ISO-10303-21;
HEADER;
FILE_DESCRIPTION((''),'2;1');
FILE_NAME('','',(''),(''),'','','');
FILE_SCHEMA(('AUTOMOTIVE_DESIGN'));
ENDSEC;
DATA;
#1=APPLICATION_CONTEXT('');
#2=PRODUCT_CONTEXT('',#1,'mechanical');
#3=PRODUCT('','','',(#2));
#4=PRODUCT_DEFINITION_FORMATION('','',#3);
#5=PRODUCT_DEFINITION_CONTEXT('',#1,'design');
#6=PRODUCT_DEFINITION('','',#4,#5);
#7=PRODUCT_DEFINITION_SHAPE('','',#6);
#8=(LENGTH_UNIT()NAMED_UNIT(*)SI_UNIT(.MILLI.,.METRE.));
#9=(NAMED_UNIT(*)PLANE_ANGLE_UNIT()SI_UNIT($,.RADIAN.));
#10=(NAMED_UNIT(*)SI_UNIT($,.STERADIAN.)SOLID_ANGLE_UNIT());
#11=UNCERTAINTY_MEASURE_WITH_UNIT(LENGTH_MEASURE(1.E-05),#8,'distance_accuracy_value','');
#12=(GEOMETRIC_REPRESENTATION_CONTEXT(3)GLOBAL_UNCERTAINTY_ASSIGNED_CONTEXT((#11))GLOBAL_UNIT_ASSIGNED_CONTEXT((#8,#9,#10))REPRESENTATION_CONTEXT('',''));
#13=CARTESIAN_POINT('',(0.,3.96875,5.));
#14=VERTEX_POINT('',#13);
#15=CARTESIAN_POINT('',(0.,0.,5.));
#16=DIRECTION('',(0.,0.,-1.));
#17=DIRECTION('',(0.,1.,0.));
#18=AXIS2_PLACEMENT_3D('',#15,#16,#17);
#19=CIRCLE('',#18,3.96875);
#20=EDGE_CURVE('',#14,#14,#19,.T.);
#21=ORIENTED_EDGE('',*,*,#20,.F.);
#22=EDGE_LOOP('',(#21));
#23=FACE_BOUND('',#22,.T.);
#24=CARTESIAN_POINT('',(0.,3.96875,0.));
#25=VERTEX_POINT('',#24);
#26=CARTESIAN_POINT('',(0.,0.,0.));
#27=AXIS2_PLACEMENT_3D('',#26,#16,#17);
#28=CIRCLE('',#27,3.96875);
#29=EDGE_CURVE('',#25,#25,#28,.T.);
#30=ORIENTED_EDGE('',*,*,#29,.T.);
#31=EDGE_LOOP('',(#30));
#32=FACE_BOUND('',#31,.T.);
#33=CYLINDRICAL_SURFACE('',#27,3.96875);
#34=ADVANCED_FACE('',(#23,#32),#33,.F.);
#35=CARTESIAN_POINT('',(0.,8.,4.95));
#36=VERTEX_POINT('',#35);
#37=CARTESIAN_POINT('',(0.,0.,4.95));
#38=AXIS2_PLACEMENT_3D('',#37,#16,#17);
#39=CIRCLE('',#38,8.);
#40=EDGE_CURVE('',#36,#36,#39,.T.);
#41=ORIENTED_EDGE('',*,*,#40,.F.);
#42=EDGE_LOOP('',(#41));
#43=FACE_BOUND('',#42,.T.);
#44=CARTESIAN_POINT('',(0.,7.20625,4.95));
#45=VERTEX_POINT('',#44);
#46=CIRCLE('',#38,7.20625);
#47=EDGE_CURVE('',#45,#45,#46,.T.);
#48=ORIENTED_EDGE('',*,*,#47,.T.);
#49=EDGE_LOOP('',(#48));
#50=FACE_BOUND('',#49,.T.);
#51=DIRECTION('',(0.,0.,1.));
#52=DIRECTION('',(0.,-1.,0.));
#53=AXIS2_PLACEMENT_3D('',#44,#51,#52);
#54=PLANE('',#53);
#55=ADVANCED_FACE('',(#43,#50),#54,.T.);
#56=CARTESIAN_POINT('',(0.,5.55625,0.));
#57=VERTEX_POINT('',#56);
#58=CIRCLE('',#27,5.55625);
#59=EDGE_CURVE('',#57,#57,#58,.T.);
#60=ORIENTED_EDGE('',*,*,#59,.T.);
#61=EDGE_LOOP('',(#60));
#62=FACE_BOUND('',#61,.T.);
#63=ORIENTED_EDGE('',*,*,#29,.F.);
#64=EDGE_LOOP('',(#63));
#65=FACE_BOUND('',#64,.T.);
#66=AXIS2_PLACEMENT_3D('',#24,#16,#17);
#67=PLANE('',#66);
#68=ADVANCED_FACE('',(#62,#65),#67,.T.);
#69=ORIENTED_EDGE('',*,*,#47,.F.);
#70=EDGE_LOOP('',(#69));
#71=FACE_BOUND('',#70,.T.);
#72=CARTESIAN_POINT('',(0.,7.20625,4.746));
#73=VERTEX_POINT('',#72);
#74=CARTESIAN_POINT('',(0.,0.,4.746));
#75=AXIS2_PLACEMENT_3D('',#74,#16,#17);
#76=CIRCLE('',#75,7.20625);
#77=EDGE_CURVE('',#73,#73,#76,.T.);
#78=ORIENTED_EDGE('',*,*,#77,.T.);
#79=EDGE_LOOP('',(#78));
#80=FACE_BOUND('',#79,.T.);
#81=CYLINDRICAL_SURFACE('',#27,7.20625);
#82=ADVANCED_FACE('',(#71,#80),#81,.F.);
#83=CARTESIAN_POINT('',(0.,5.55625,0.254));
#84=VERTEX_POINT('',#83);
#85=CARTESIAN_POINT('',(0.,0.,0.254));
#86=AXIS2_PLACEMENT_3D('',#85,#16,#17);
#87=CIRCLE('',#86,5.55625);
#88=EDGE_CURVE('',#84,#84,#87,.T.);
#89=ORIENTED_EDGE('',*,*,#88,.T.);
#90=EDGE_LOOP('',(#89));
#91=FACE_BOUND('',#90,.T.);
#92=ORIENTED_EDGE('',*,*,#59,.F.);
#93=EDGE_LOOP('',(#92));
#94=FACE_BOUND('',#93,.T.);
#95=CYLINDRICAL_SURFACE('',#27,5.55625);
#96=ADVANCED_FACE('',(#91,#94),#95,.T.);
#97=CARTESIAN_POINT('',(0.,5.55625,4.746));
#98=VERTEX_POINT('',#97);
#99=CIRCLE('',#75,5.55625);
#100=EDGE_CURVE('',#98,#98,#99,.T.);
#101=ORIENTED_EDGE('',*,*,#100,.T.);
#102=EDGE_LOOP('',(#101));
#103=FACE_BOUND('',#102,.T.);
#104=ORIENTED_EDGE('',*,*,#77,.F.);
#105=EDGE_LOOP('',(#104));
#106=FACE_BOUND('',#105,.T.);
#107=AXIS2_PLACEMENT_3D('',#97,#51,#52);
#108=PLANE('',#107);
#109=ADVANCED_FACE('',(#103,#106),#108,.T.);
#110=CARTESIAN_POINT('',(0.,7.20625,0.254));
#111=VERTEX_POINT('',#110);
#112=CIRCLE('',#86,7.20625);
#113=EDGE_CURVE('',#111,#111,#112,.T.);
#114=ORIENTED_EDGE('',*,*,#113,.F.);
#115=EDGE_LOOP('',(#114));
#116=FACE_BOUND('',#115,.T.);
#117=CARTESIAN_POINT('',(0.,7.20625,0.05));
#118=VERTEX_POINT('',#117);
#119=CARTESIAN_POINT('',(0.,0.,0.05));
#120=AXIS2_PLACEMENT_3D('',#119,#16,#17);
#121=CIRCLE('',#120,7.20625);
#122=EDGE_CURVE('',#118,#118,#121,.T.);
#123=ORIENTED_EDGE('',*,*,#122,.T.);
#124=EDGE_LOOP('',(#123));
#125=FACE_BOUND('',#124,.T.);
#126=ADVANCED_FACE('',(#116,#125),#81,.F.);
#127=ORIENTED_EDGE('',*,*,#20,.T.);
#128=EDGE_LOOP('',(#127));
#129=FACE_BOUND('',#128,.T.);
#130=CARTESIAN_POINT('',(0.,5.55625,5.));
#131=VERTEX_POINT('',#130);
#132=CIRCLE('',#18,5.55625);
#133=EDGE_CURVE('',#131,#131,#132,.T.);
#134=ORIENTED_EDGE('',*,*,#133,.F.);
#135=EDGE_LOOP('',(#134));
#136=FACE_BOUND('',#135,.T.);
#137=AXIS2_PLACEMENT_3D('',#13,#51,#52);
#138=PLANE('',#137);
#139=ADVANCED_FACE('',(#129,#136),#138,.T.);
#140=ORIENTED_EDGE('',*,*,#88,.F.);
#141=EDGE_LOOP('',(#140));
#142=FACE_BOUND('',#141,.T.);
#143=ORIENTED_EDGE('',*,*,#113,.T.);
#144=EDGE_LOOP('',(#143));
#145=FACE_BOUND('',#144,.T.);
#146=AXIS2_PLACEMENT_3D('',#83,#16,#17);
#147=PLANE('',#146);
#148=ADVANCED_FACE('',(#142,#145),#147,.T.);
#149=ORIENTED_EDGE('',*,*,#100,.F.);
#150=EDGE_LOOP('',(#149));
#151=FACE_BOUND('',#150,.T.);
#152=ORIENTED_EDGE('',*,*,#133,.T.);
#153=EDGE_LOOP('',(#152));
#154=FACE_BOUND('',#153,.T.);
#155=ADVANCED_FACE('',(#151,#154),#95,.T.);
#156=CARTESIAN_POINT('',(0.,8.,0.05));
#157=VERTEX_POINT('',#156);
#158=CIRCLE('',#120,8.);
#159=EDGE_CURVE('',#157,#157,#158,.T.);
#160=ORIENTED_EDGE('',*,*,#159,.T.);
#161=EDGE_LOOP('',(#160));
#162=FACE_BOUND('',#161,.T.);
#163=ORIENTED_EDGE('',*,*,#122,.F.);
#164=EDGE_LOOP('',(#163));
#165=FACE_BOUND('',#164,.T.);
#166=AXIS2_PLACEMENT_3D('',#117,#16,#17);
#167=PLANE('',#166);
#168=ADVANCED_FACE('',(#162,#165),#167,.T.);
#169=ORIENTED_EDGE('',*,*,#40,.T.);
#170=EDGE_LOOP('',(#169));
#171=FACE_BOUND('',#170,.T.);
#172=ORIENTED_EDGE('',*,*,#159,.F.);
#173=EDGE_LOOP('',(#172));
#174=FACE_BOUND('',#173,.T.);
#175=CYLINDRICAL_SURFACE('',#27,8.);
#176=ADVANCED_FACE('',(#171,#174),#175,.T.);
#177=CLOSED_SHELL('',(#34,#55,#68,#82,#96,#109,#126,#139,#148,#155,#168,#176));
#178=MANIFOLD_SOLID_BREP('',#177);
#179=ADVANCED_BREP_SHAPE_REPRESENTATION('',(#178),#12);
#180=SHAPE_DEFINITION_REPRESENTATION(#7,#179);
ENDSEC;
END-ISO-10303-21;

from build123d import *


with BuildPart() as part:
    # Sketch1 → Revolve1 (revolve)
    with BuildSketch(Plane(origin=(0, 0, 0), x_dir=(0, 0, -1), z_dir=(1, 0, 0))):
        Polygon((-5, 3.96875), (0, 3.96875), (0, 5.55625), (-0.254, 5.55625), (-0.254, 7.20625), (-0.05, 7.20625), (-0.05, 8), (-4.95, 8), (-4.95, 7.20625), (-4.746, 7.20625), (-4.746, 5.55625), (-5, 5.55625), align=None)
    revolve(axis=Axis((0, 0, 0), (0, 0, 1)))


solid = part.part
